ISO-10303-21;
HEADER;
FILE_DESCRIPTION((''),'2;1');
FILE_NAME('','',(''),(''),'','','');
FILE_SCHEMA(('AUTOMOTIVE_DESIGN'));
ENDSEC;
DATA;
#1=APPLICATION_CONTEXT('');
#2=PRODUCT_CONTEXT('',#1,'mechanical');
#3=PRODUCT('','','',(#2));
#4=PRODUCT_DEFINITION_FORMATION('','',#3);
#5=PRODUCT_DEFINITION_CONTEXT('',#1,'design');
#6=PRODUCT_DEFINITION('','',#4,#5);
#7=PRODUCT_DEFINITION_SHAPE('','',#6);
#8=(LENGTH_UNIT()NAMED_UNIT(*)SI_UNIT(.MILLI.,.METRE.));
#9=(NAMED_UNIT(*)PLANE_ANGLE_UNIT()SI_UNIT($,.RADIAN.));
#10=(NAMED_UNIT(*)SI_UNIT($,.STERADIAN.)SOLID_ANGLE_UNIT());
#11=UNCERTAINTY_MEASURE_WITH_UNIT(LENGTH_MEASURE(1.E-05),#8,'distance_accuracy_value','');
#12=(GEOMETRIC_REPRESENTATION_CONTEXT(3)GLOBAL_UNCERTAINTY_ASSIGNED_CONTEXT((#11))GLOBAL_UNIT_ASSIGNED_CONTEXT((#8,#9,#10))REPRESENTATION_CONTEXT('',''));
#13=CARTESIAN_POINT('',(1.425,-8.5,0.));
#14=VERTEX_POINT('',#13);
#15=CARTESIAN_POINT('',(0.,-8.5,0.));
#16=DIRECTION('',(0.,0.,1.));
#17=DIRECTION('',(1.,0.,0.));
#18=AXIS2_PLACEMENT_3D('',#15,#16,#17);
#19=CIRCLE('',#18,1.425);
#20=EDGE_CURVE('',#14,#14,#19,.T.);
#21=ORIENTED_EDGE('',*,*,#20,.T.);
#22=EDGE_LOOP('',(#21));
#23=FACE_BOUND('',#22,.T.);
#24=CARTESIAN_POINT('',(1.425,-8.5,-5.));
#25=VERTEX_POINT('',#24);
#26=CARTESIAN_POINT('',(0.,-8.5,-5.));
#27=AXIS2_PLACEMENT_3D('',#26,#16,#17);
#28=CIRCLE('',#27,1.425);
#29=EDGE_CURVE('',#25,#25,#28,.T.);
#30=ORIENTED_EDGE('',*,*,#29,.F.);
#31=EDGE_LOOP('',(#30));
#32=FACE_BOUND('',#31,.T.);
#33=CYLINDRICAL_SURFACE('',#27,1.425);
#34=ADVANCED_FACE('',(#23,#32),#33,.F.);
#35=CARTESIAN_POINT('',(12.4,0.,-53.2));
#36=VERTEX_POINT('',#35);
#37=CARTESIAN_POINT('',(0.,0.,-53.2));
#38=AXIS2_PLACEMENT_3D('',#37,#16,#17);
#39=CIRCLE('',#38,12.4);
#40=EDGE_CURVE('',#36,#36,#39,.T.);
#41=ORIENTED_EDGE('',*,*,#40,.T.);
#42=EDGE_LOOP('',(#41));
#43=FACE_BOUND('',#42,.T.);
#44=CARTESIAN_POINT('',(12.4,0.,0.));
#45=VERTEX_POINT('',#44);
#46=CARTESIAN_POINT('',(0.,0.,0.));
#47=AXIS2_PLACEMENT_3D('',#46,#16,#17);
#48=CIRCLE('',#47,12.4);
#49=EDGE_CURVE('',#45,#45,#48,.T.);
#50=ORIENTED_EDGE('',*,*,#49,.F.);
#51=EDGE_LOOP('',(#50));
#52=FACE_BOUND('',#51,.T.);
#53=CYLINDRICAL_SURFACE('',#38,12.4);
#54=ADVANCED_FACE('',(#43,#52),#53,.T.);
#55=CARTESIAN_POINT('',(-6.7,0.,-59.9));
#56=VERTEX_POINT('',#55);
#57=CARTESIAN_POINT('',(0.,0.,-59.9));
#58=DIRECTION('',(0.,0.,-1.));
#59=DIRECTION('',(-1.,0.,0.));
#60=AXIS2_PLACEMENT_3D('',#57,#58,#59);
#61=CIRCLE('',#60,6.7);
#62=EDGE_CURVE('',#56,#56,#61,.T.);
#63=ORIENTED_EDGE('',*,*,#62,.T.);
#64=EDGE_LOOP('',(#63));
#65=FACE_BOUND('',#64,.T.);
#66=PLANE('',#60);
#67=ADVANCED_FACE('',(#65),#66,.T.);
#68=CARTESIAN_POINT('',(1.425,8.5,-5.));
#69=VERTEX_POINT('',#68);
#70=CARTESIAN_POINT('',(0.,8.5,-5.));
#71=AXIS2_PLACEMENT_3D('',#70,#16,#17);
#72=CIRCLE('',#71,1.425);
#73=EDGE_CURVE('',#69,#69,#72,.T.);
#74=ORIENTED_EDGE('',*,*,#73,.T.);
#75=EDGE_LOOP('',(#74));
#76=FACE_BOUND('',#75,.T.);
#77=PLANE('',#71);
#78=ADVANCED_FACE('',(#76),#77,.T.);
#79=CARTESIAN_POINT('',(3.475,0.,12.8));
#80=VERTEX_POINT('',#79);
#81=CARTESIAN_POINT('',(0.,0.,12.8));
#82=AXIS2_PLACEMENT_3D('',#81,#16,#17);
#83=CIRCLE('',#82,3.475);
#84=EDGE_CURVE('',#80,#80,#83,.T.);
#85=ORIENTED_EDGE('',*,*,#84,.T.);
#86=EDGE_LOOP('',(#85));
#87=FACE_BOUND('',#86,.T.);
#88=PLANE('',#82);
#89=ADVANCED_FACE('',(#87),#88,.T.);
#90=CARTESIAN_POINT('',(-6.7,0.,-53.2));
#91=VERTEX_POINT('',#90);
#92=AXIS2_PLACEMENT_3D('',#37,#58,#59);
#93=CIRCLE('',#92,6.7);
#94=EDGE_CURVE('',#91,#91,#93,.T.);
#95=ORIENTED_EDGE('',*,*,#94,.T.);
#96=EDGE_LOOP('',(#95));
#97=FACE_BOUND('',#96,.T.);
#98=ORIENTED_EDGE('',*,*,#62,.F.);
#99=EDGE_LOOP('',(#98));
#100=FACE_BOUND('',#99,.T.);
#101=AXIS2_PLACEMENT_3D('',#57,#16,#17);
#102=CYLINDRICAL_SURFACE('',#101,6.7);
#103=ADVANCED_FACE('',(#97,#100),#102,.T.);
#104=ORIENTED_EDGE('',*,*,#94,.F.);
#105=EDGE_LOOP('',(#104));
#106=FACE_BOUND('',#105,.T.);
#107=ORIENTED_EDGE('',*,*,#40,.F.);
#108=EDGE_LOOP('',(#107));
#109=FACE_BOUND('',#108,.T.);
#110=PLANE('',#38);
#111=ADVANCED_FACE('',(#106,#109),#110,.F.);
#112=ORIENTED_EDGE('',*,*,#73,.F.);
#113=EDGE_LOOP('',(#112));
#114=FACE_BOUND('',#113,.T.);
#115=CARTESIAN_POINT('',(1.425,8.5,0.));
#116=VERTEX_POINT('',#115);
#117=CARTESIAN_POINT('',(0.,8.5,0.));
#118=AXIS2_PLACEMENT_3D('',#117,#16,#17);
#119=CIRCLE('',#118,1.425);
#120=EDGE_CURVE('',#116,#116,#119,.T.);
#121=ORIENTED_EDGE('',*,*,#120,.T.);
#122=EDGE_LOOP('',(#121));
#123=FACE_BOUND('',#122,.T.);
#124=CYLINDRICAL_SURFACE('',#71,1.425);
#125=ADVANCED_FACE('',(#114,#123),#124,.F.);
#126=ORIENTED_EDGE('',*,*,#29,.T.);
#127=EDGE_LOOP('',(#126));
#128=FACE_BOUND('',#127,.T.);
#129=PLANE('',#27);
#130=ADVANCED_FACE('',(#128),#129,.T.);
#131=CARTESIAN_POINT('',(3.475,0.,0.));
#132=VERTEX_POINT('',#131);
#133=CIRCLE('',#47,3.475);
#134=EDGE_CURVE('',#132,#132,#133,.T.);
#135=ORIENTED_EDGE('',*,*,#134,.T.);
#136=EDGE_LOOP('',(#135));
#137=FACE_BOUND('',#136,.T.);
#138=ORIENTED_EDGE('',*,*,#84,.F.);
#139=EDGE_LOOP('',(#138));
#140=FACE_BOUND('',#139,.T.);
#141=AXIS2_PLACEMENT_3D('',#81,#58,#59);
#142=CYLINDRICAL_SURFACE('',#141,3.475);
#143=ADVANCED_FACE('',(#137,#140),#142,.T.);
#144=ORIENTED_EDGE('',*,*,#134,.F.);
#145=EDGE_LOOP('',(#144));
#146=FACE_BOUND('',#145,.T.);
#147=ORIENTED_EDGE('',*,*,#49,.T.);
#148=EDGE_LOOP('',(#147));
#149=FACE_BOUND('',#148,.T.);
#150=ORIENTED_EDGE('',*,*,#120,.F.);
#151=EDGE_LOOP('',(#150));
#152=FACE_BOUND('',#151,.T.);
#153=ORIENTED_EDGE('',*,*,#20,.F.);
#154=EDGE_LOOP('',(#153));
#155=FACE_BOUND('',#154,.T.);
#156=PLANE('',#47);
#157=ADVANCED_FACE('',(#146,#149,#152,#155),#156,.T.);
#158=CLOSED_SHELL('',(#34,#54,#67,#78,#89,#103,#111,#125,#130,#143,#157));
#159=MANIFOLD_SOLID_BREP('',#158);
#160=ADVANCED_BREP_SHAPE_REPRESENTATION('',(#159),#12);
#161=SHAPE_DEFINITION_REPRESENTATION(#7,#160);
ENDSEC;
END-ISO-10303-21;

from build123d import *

# Parameters (mm, degrees)
SKETCH1_R           = 12.4
BOSS_EXTRUDE1_DEPTH = 53.2
SKETCH2_R           = 3.475
BOSS_EXTRUDE2_DEPTH = 12.8
SKETCH3_R           = 1.425
CUT_EXTRUDE1_DEPTH  = 5
SKETCH4_R           = 6.7
BOSS_EXTRUDE3_DEPTH = 6.7


with BuildPart() as part:
    # Sketch1 → Boss-Extrude1 (new body)
    with BuildSketch(Plane.XY):
        Circle(SKETCH1_R)
    extrude(amount=-BOSS_EXTRUDE1_DEPTH)

    # Sketch2 → Boss-Extrude2 (add)
    with BuildSketch(Plane.XY):
        Circle(SKETCH2_R)
    extrude(amount=BOSS_EXTRUDE2_DEPTH)

    # Sketch3 → Cut-Extrude1 (cut)
    with BuildSketch(Plane.XY):
        with Locations((0, 8.5)):
            Circle(SKETCH3_R)
        with Locations((0, -8.5)):
            Circle(SKETCH3_R)
    extrude(amount=-CUT_EXTRUDE1_DEPTH, mode=Mode.SUBTRACT)

    # Sketch4 → Boss-Extrude3 (add)
    with BuildSketch(Plane(origin=(0, 0, -53.2), x_dir=(-1, 0, 0), z_dir=(0, 0, -1))):
        Circle(SKETCH4_R)
    extrude(amount=BOSS_EXTRUDE3_DEPTH)


solid = part.part
